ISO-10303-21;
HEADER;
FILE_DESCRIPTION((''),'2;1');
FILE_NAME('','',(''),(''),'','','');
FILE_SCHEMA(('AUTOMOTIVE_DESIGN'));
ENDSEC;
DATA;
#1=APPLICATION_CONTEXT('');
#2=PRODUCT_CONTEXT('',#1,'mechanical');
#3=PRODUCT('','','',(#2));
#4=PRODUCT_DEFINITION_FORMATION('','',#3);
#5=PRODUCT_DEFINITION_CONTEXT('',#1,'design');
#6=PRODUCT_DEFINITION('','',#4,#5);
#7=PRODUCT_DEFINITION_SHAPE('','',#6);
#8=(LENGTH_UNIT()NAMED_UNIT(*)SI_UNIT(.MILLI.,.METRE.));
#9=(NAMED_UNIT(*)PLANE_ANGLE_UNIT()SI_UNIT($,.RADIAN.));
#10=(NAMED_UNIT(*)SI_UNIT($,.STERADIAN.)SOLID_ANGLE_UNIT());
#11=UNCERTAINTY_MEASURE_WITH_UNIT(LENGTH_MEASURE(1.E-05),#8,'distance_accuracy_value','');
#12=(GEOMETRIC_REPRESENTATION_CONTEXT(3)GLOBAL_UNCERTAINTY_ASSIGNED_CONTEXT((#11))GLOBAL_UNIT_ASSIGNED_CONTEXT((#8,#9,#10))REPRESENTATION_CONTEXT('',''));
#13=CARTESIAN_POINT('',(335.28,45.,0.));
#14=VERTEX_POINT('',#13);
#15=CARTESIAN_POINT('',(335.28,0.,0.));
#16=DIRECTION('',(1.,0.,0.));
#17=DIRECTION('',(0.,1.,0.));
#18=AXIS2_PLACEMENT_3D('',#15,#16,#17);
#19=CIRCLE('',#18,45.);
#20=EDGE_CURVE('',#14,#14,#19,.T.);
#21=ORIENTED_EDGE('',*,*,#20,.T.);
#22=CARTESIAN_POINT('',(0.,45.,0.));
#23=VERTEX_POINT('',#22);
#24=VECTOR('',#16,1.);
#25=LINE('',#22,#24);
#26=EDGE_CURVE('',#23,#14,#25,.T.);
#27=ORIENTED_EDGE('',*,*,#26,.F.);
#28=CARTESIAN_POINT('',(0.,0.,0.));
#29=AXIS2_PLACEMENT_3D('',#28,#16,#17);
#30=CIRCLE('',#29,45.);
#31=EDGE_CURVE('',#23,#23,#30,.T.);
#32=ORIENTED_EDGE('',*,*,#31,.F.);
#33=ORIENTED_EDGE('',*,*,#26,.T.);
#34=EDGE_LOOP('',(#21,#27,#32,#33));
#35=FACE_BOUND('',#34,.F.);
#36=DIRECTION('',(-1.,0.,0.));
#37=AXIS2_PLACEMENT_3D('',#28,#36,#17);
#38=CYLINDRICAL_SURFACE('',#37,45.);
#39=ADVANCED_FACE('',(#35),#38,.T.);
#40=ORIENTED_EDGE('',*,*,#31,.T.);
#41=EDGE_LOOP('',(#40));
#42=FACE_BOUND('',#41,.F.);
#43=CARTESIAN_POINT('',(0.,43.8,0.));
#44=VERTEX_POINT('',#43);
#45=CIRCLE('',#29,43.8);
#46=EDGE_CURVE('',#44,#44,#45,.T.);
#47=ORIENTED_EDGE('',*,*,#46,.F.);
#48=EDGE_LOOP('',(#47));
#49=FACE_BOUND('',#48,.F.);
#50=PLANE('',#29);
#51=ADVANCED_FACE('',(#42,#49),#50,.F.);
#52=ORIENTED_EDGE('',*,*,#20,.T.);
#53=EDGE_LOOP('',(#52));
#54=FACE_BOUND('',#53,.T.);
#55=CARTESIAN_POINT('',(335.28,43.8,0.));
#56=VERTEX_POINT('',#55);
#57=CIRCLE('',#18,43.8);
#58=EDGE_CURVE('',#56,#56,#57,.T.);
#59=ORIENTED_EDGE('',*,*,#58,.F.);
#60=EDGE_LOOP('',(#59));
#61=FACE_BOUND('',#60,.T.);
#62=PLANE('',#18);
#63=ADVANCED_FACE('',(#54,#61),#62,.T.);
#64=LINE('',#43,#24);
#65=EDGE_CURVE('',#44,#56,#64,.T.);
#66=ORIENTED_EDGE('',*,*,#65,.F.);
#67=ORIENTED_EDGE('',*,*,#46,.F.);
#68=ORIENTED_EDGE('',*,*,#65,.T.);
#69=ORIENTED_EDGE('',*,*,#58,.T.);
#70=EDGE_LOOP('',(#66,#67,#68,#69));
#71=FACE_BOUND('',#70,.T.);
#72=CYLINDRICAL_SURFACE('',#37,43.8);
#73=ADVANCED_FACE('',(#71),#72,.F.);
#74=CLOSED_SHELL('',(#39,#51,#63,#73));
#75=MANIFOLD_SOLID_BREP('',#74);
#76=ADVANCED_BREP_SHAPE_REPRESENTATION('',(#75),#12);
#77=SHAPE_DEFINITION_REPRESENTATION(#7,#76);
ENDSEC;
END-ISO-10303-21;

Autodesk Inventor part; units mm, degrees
ref_plane "YZ Plane" through (0, 0, 0) normal (1, 0, 0) x (0, 1, 0)
ref_plane "XZ Plane" through (0, 0, 0) normal (0, 1, 0) x (-1, 0, 0)
ref_plane "XY Plane" through (0, 0, 0) normal (0, 0, 1) x (1, 0, 0)
sketch "Sketch1" plane through (0, 0, 0) normal (1, 0, 0) x (0, 1, 0)
  circle A0 centre (0, 0) radius 45
  circle A1 centre (0, 0) radius 43.8
  dimension "d0" = 90
  dimension "d1" = 1.2
extrude "Extrusion1" add sketch "Sketch1" along normal blind 335.28
equation "\"d0\" = OD"
equation "\"d1\" = t"
equation "\"d2\" = L"
equation "\"OD\" = 90"
equation "\"t\" = 1.2"
equation "\"L\" = PL"
equation "\"ID\" = 87.6"
equation "\"PL\" = 335.28"
properties part number "ISO 4065 Pipe DN90x1.2xS40 - 228.60000000" material "PVC-Piping"
